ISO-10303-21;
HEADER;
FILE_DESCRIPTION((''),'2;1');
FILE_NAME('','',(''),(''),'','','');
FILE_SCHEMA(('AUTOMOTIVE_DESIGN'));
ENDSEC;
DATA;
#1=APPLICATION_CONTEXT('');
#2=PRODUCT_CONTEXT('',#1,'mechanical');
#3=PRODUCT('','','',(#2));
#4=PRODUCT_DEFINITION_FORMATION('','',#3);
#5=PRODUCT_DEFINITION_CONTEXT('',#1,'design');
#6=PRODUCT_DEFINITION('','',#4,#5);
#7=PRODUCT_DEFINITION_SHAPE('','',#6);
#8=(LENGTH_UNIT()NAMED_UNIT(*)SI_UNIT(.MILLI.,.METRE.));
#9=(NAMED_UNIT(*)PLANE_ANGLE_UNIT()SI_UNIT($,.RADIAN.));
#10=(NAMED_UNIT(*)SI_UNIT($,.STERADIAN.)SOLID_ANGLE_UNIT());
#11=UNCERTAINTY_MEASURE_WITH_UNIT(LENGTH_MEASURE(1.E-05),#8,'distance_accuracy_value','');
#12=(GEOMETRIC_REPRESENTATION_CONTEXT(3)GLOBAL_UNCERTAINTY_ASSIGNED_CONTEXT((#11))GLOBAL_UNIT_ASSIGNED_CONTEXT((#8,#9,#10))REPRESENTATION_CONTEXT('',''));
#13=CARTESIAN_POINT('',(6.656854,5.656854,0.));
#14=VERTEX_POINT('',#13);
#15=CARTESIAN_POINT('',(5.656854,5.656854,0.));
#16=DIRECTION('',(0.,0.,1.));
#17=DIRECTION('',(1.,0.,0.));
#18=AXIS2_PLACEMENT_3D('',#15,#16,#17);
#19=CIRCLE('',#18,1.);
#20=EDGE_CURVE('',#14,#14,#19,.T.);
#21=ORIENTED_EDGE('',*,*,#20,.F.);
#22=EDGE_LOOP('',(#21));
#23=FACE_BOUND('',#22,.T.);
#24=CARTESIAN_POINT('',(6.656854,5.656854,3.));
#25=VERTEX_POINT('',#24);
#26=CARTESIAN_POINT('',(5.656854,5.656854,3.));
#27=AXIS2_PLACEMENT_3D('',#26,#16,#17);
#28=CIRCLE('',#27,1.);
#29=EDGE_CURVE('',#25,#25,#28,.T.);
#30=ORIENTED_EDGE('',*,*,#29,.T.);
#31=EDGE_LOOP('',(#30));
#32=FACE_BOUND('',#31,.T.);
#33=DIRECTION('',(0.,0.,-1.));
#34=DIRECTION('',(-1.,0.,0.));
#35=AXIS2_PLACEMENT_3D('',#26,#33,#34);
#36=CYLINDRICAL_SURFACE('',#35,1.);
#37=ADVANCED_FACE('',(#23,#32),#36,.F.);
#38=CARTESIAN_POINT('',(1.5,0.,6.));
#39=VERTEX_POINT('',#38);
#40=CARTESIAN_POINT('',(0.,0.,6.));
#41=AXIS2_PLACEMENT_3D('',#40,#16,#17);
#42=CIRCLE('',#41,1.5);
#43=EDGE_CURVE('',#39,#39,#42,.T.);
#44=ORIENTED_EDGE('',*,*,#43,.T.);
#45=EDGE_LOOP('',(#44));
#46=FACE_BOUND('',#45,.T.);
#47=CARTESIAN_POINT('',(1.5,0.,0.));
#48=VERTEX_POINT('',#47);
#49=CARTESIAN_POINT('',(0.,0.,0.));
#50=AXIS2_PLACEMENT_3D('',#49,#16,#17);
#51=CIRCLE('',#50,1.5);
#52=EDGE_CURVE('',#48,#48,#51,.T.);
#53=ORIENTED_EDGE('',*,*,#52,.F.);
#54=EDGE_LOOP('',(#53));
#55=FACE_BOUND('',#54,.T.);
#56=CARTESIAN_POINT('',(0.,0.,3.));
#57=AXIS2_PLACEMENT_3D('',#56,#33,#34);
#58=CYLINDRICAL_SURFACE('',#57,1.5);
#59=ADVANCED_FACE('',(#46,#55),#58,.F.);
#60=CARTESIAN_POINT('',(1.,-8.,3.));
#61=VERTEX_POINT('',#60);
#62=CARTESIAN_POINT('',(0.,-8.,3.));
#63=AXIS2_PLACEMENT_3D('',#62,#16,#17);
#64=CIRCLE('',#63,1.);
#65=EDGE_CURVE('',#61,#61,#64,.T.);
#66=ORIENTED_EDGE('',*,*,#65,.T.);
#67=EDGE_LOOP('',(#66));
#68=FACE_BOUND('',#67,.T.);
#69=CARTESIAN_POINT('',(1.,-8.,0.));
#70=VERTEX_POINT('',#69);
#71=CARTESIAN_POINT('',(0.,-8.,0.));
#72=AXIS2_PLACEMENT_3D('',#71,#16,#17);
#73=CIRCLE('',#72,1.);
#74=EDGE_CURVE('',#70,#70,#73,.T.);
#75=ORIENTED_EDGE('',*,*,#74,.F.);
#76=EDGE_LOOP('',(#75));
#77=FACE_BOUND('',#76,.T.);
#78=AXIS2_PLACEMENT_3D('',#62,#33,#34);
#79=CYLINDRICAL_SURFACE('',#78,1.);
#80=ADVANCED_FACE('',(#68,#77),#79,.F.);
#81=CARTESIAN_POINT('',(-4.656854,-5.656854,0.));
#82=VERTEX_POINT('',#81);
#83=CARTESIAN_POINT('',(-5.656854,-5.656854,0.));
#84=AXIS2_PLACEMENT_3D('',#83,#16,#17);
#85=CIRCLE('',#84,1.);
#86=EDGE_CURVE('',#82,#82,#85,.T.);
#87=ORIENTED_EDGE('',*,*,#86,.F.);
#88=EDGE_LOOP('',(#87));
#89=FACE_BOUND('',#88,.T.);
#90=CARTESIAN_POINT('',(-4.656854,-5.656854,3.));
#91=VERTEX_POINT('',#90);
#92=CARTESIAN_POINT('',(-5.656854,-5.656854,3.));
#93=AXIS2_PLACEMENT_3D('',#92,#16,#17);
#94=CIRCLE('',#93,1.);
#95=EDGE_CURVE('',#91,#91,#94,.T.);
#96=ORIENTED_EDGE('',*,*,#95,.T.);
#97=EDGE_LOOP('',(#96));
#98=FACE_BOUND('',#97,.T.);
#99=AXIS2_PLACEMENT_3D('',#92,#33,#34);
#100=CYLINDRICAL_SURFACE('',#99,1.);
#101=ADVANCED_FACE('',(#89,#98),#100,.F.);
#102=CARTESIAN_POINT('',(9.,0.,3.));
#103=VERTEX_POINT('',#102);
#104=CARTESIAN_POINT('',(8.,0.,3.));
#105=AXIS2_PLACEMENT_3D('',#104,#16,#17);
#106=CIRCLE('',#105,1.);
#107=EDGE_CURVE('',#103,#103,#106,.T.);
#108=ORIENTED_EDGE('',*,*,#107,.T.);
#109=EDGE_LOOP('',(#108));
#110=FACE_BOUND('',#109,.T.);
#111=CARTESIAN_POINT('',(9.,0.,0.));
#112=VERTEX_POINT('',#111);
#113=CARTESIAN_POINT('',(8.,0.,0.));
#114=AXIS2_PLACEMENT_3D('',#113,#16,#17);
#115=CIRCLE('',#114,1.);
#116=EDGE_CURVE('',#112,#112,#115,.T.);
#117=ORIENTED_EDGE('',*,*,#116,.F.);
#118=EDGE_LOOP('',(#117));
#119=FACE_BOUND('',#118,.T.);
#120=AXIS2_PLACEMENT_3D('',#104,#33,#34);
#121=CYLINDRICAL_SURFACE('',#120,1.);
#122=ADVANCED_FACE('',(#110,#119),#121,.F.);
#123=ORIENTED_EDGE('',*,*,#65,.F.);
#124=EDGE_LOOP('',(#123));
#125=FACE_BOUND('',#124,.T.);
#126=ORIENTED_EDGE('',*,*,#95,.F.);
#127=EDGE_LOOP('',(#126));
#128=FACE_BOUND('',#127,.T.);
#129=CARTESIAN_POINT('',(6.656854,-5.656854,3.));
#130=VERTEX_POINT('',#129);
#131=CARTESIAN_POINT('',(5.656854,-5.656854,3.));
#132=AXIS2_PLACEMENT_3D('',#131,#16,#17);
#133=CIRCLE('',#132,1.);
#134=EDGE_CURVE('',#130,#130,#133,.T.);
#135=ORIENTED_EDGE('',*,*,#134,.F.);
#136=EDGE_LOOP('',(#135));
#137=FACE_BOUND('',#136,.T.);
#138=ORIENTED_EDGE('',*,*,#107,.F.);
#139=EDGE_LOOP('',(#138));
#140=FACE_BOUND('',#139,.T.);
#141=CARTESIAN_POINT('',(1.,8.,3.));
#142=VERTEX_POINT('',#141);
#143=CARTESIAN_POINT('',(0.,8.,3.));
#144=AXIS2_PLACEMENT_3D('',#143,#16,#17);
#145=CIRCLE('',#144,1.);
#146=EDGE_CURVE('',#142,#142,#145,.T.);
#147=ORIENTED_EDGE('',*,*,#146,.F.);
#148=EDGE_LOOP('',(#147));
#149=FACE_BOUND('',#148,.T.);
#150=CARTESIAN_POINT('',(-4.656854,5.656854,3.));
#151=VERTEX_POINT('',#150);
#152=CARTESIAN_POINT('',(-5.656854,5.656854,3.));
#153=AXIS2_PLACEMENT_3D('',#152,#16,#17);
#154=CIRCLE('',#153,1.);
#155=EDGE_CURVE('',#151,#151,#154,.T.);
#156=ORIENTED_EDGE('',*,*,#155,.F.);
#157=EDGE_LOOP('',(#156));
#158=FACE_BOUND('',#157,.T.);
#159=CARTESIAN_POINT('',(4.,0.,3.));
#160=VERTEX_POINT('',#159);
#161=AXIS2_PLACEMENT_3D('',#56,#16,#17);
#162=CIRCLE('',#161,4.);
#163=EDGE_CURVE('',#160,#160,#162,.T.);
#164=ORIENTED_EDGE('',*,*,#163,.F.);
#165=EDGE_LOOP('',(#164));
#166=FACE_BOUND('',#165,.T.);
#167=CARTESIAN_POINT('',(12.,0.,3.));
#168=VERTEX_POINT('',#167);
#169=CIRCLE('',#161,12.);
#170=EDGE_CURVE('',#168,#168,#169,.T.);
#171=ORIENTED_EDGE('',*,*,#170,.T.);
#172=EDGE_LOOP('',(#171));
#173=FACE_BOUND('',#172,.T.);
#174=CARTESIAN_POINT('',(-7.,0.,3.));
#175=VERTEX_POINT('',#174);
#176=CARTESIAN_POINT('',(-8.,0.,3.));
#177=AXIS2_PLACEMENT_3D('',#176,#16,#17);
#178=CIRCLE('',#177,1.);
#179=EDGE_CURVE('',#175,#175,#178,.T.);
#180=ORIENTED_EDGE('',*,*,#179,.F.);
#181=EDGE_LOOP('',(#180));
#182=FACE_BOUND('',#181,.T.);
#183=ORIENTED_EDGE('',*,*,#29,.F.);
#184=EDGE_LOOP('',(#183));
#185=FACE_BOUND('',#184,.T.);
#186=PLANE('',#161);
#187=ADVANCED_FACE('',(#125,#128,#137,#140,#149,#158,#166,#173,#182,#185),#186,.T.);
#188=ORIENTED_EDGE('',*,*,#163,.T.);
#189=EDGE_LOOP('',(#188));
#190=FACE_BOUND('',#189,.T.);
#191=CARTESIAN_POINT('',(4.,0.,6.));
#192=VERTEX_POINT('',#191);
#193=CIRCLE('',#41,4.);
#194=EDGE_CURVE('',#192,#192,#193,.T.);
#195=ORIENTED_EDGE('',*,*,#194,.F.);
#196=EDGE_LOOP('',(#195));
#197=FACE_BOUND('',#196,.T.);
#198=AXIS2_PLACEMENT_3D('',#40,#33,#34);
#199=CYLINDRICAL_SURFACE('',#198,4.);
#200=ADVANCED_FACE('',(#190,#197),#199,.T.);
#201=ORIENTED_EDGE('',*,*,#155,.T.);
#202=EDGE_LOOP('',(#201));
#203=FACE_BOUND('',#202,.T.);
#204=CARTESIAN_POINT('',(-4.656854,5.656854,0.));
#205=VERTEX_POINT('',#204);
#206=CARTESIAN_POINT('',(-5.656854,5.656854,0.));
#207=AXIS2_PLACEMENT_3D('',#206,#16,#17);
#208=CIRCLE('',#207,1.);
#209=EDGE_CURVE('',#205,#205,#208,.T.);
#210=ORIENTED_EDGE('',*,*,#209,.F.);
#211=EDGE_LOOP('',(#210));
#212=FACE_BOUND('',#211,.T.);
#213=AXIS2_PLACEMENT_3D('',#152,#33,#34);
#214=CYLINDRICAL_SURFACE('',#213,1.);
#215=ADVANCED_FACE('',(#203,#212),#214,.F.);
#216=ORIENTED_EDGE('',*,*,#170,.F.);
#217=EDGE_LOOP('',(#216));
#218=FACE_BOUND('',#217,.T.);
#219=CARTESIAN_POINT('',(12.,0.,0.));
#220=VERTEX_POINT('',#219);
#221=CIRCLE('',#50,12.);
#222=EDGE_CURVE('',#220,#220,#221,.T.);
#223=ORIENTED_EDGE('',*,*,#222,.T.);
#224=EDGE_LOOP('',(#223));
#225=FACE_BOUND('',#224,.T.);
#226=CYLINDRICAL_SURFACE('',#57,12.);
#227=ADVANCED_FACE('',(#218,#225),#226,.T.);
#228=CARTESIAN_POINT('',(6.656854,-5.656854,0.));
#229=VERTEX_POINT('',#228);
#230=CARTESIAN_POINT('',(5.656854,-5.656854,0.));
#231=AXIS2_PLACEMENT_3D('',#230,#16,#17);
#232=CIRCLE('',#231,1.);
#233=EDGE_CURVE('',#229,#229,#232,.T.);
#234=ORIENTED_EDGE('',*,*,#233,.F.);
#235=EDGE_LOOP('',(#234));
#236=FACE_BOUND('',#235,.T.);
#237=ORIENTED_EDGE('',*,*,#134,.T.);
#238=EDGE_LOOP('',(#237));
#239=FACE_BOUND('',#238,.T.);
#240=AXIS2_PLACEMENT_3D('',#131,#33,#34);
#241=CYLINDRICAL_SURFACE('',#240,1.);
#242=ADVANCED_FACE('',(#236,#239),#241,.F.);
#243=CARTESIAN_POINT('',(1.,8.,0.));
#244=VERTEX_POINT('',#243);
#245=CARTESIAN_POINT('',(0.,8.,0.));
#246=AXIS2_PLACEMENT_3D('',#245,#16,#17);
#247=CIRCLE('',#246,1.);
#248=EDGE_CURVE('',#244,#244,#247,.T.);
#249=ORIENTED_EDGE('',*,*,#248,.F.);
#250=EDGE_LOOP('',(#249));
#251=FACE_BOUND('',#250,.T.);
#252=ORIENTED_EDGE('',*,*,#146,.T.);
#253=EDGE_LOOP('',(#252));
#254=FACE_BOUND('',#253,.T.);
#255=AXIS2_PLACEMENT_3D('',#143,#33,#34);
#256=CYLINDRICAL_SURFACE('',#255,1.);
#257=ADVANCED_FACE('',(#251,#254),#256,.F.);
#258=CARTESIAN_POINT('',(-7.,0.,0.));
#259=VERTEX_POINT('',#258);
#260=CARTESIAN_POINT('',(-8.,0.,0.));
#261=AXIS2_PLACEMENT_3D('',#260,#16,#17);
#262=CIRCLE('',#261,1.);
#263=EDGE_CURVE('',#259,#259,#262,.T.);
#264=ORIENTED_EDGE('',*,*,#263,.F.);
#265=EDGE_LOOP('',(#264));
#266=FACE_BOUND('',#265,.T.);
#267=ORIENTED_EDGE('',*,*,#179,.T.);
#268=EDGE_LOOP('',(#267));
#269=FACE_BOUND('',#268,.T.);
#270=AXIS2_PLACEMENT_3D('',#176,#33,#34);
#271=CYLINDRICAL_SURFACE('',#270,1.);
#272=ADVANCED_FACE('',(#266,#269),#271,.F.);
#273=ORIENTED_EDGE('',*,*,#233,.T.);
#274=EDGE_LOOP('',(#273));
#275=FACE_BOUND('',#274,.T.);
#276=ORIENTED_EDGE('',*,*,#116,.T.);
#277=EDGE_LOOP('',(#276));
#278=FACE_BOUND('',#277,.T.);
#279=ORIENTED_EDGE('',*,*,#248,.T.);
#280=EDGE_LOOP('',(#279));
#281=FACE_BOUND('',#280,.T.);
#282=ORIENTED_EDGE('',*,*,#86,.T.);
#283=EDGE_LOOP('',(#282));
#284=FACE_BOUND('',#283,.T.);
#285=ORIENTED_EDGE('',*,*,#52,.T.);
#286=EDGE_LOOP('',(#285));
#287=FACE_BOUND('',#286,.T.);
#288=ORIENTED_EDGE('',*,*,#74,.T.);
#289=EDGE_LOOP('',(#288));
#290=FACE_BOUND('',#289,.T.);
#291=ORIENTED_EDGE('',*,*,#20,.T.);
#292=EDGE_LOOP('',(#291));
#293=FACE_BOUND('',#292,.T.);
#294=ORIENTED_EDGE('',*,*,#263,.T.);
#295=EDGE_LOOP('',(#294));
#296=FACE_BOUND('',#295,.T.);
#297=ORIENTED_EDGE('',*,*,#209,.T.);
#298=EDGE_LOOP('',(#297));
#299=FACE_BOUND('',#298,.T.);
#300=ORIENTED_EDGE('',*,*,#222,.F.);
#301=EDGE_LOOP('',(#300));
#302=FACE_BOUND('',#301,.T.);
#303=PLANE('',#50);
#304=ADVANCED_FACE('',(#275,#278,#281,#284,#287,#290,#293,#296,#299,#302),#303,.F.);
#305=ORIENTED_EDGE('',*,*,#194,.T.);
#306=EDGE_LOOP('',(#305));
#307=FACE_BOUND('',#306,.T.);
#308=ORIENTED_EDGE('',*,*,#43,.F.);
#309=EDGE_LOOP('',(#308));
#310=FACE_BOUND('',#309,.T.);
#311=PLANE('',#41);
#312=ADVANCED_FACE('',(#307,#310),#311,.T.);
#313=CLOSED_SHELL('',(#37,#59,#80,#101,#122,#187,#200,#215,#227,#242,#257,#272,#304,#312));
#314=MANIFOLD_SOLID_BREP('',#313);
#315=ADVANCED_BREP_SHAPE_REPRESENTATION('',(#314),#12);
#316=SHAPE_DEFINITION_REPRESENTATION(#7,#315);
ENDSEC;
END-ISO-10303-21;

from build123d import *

# Parameters (mm, degrees)
SKETCH_1_R      = 12
SKETCH_1_R_2    = 1
SKETCH_1_R_3    = 1.5
EXTRUDE_1_DEPTH = 3
SKETCH_2_R      = 4
SKETCH_2_R_2    = 1.5
EXTRUDE_2_DEPTH = 3


with BuildPart() as part:
    # 草图1 → 凸台-拉伸1 (new body)
    with BuildSketch(Plane.XY):
        Circle(SKETCH_1_R)
        with Locations((0, 8)):
            Circle(SKETCH_1_R_2, mode=Mode.SUBTRACT)
        with Locations((5.656854249, 5.656854249)):
            Circle(SKETCH_1_R_2, mode=Mode.SUBTRACT)
        with Locations((8, 0)):
            Circle(SKETCH_1_R_2, mode=Mode.SUBTRACT)
        with Locations((5.656854249, -5.656854249)):
            Circle(SKETCH_1_R_2, mode=Mode.SUBTRACT)
        with Locations((0, -8)):
            Circle(SKETCH_1_R_2, mode=Mode.SUBTRACT)
        with Locations((-5.656854249, -5.656854249)):
            Circle(SKETCH_1_R_2, mode=Mode.SUBTRACT)
        with Locations((-8, 0)):
            Circle(SKETCH_1_R_2, mode=Mode.SUBTRACT)
        with Locations((-5.656854249, 5.656854249)):
            Circle(SKETCH_1_R_2, mode=Mode.SUBTRACT)
        Circle(SKETCH_1_R_3, mode=Mode.SUBTRACT)
    extrude(amount=EXTRUDE_1_DEPTH)

    # 草图2 → 凸台-拉伸2 (add)
    with BuildSketch(Plane.XY.offset(3)):
        Circle(SKETCH_2_R)
        Circle(SKETCH_2_R_2, mode=Mode.SUBTRACT)
    extrude(amount=EXTRUDE_2_DEPTH)


solid = part.part
